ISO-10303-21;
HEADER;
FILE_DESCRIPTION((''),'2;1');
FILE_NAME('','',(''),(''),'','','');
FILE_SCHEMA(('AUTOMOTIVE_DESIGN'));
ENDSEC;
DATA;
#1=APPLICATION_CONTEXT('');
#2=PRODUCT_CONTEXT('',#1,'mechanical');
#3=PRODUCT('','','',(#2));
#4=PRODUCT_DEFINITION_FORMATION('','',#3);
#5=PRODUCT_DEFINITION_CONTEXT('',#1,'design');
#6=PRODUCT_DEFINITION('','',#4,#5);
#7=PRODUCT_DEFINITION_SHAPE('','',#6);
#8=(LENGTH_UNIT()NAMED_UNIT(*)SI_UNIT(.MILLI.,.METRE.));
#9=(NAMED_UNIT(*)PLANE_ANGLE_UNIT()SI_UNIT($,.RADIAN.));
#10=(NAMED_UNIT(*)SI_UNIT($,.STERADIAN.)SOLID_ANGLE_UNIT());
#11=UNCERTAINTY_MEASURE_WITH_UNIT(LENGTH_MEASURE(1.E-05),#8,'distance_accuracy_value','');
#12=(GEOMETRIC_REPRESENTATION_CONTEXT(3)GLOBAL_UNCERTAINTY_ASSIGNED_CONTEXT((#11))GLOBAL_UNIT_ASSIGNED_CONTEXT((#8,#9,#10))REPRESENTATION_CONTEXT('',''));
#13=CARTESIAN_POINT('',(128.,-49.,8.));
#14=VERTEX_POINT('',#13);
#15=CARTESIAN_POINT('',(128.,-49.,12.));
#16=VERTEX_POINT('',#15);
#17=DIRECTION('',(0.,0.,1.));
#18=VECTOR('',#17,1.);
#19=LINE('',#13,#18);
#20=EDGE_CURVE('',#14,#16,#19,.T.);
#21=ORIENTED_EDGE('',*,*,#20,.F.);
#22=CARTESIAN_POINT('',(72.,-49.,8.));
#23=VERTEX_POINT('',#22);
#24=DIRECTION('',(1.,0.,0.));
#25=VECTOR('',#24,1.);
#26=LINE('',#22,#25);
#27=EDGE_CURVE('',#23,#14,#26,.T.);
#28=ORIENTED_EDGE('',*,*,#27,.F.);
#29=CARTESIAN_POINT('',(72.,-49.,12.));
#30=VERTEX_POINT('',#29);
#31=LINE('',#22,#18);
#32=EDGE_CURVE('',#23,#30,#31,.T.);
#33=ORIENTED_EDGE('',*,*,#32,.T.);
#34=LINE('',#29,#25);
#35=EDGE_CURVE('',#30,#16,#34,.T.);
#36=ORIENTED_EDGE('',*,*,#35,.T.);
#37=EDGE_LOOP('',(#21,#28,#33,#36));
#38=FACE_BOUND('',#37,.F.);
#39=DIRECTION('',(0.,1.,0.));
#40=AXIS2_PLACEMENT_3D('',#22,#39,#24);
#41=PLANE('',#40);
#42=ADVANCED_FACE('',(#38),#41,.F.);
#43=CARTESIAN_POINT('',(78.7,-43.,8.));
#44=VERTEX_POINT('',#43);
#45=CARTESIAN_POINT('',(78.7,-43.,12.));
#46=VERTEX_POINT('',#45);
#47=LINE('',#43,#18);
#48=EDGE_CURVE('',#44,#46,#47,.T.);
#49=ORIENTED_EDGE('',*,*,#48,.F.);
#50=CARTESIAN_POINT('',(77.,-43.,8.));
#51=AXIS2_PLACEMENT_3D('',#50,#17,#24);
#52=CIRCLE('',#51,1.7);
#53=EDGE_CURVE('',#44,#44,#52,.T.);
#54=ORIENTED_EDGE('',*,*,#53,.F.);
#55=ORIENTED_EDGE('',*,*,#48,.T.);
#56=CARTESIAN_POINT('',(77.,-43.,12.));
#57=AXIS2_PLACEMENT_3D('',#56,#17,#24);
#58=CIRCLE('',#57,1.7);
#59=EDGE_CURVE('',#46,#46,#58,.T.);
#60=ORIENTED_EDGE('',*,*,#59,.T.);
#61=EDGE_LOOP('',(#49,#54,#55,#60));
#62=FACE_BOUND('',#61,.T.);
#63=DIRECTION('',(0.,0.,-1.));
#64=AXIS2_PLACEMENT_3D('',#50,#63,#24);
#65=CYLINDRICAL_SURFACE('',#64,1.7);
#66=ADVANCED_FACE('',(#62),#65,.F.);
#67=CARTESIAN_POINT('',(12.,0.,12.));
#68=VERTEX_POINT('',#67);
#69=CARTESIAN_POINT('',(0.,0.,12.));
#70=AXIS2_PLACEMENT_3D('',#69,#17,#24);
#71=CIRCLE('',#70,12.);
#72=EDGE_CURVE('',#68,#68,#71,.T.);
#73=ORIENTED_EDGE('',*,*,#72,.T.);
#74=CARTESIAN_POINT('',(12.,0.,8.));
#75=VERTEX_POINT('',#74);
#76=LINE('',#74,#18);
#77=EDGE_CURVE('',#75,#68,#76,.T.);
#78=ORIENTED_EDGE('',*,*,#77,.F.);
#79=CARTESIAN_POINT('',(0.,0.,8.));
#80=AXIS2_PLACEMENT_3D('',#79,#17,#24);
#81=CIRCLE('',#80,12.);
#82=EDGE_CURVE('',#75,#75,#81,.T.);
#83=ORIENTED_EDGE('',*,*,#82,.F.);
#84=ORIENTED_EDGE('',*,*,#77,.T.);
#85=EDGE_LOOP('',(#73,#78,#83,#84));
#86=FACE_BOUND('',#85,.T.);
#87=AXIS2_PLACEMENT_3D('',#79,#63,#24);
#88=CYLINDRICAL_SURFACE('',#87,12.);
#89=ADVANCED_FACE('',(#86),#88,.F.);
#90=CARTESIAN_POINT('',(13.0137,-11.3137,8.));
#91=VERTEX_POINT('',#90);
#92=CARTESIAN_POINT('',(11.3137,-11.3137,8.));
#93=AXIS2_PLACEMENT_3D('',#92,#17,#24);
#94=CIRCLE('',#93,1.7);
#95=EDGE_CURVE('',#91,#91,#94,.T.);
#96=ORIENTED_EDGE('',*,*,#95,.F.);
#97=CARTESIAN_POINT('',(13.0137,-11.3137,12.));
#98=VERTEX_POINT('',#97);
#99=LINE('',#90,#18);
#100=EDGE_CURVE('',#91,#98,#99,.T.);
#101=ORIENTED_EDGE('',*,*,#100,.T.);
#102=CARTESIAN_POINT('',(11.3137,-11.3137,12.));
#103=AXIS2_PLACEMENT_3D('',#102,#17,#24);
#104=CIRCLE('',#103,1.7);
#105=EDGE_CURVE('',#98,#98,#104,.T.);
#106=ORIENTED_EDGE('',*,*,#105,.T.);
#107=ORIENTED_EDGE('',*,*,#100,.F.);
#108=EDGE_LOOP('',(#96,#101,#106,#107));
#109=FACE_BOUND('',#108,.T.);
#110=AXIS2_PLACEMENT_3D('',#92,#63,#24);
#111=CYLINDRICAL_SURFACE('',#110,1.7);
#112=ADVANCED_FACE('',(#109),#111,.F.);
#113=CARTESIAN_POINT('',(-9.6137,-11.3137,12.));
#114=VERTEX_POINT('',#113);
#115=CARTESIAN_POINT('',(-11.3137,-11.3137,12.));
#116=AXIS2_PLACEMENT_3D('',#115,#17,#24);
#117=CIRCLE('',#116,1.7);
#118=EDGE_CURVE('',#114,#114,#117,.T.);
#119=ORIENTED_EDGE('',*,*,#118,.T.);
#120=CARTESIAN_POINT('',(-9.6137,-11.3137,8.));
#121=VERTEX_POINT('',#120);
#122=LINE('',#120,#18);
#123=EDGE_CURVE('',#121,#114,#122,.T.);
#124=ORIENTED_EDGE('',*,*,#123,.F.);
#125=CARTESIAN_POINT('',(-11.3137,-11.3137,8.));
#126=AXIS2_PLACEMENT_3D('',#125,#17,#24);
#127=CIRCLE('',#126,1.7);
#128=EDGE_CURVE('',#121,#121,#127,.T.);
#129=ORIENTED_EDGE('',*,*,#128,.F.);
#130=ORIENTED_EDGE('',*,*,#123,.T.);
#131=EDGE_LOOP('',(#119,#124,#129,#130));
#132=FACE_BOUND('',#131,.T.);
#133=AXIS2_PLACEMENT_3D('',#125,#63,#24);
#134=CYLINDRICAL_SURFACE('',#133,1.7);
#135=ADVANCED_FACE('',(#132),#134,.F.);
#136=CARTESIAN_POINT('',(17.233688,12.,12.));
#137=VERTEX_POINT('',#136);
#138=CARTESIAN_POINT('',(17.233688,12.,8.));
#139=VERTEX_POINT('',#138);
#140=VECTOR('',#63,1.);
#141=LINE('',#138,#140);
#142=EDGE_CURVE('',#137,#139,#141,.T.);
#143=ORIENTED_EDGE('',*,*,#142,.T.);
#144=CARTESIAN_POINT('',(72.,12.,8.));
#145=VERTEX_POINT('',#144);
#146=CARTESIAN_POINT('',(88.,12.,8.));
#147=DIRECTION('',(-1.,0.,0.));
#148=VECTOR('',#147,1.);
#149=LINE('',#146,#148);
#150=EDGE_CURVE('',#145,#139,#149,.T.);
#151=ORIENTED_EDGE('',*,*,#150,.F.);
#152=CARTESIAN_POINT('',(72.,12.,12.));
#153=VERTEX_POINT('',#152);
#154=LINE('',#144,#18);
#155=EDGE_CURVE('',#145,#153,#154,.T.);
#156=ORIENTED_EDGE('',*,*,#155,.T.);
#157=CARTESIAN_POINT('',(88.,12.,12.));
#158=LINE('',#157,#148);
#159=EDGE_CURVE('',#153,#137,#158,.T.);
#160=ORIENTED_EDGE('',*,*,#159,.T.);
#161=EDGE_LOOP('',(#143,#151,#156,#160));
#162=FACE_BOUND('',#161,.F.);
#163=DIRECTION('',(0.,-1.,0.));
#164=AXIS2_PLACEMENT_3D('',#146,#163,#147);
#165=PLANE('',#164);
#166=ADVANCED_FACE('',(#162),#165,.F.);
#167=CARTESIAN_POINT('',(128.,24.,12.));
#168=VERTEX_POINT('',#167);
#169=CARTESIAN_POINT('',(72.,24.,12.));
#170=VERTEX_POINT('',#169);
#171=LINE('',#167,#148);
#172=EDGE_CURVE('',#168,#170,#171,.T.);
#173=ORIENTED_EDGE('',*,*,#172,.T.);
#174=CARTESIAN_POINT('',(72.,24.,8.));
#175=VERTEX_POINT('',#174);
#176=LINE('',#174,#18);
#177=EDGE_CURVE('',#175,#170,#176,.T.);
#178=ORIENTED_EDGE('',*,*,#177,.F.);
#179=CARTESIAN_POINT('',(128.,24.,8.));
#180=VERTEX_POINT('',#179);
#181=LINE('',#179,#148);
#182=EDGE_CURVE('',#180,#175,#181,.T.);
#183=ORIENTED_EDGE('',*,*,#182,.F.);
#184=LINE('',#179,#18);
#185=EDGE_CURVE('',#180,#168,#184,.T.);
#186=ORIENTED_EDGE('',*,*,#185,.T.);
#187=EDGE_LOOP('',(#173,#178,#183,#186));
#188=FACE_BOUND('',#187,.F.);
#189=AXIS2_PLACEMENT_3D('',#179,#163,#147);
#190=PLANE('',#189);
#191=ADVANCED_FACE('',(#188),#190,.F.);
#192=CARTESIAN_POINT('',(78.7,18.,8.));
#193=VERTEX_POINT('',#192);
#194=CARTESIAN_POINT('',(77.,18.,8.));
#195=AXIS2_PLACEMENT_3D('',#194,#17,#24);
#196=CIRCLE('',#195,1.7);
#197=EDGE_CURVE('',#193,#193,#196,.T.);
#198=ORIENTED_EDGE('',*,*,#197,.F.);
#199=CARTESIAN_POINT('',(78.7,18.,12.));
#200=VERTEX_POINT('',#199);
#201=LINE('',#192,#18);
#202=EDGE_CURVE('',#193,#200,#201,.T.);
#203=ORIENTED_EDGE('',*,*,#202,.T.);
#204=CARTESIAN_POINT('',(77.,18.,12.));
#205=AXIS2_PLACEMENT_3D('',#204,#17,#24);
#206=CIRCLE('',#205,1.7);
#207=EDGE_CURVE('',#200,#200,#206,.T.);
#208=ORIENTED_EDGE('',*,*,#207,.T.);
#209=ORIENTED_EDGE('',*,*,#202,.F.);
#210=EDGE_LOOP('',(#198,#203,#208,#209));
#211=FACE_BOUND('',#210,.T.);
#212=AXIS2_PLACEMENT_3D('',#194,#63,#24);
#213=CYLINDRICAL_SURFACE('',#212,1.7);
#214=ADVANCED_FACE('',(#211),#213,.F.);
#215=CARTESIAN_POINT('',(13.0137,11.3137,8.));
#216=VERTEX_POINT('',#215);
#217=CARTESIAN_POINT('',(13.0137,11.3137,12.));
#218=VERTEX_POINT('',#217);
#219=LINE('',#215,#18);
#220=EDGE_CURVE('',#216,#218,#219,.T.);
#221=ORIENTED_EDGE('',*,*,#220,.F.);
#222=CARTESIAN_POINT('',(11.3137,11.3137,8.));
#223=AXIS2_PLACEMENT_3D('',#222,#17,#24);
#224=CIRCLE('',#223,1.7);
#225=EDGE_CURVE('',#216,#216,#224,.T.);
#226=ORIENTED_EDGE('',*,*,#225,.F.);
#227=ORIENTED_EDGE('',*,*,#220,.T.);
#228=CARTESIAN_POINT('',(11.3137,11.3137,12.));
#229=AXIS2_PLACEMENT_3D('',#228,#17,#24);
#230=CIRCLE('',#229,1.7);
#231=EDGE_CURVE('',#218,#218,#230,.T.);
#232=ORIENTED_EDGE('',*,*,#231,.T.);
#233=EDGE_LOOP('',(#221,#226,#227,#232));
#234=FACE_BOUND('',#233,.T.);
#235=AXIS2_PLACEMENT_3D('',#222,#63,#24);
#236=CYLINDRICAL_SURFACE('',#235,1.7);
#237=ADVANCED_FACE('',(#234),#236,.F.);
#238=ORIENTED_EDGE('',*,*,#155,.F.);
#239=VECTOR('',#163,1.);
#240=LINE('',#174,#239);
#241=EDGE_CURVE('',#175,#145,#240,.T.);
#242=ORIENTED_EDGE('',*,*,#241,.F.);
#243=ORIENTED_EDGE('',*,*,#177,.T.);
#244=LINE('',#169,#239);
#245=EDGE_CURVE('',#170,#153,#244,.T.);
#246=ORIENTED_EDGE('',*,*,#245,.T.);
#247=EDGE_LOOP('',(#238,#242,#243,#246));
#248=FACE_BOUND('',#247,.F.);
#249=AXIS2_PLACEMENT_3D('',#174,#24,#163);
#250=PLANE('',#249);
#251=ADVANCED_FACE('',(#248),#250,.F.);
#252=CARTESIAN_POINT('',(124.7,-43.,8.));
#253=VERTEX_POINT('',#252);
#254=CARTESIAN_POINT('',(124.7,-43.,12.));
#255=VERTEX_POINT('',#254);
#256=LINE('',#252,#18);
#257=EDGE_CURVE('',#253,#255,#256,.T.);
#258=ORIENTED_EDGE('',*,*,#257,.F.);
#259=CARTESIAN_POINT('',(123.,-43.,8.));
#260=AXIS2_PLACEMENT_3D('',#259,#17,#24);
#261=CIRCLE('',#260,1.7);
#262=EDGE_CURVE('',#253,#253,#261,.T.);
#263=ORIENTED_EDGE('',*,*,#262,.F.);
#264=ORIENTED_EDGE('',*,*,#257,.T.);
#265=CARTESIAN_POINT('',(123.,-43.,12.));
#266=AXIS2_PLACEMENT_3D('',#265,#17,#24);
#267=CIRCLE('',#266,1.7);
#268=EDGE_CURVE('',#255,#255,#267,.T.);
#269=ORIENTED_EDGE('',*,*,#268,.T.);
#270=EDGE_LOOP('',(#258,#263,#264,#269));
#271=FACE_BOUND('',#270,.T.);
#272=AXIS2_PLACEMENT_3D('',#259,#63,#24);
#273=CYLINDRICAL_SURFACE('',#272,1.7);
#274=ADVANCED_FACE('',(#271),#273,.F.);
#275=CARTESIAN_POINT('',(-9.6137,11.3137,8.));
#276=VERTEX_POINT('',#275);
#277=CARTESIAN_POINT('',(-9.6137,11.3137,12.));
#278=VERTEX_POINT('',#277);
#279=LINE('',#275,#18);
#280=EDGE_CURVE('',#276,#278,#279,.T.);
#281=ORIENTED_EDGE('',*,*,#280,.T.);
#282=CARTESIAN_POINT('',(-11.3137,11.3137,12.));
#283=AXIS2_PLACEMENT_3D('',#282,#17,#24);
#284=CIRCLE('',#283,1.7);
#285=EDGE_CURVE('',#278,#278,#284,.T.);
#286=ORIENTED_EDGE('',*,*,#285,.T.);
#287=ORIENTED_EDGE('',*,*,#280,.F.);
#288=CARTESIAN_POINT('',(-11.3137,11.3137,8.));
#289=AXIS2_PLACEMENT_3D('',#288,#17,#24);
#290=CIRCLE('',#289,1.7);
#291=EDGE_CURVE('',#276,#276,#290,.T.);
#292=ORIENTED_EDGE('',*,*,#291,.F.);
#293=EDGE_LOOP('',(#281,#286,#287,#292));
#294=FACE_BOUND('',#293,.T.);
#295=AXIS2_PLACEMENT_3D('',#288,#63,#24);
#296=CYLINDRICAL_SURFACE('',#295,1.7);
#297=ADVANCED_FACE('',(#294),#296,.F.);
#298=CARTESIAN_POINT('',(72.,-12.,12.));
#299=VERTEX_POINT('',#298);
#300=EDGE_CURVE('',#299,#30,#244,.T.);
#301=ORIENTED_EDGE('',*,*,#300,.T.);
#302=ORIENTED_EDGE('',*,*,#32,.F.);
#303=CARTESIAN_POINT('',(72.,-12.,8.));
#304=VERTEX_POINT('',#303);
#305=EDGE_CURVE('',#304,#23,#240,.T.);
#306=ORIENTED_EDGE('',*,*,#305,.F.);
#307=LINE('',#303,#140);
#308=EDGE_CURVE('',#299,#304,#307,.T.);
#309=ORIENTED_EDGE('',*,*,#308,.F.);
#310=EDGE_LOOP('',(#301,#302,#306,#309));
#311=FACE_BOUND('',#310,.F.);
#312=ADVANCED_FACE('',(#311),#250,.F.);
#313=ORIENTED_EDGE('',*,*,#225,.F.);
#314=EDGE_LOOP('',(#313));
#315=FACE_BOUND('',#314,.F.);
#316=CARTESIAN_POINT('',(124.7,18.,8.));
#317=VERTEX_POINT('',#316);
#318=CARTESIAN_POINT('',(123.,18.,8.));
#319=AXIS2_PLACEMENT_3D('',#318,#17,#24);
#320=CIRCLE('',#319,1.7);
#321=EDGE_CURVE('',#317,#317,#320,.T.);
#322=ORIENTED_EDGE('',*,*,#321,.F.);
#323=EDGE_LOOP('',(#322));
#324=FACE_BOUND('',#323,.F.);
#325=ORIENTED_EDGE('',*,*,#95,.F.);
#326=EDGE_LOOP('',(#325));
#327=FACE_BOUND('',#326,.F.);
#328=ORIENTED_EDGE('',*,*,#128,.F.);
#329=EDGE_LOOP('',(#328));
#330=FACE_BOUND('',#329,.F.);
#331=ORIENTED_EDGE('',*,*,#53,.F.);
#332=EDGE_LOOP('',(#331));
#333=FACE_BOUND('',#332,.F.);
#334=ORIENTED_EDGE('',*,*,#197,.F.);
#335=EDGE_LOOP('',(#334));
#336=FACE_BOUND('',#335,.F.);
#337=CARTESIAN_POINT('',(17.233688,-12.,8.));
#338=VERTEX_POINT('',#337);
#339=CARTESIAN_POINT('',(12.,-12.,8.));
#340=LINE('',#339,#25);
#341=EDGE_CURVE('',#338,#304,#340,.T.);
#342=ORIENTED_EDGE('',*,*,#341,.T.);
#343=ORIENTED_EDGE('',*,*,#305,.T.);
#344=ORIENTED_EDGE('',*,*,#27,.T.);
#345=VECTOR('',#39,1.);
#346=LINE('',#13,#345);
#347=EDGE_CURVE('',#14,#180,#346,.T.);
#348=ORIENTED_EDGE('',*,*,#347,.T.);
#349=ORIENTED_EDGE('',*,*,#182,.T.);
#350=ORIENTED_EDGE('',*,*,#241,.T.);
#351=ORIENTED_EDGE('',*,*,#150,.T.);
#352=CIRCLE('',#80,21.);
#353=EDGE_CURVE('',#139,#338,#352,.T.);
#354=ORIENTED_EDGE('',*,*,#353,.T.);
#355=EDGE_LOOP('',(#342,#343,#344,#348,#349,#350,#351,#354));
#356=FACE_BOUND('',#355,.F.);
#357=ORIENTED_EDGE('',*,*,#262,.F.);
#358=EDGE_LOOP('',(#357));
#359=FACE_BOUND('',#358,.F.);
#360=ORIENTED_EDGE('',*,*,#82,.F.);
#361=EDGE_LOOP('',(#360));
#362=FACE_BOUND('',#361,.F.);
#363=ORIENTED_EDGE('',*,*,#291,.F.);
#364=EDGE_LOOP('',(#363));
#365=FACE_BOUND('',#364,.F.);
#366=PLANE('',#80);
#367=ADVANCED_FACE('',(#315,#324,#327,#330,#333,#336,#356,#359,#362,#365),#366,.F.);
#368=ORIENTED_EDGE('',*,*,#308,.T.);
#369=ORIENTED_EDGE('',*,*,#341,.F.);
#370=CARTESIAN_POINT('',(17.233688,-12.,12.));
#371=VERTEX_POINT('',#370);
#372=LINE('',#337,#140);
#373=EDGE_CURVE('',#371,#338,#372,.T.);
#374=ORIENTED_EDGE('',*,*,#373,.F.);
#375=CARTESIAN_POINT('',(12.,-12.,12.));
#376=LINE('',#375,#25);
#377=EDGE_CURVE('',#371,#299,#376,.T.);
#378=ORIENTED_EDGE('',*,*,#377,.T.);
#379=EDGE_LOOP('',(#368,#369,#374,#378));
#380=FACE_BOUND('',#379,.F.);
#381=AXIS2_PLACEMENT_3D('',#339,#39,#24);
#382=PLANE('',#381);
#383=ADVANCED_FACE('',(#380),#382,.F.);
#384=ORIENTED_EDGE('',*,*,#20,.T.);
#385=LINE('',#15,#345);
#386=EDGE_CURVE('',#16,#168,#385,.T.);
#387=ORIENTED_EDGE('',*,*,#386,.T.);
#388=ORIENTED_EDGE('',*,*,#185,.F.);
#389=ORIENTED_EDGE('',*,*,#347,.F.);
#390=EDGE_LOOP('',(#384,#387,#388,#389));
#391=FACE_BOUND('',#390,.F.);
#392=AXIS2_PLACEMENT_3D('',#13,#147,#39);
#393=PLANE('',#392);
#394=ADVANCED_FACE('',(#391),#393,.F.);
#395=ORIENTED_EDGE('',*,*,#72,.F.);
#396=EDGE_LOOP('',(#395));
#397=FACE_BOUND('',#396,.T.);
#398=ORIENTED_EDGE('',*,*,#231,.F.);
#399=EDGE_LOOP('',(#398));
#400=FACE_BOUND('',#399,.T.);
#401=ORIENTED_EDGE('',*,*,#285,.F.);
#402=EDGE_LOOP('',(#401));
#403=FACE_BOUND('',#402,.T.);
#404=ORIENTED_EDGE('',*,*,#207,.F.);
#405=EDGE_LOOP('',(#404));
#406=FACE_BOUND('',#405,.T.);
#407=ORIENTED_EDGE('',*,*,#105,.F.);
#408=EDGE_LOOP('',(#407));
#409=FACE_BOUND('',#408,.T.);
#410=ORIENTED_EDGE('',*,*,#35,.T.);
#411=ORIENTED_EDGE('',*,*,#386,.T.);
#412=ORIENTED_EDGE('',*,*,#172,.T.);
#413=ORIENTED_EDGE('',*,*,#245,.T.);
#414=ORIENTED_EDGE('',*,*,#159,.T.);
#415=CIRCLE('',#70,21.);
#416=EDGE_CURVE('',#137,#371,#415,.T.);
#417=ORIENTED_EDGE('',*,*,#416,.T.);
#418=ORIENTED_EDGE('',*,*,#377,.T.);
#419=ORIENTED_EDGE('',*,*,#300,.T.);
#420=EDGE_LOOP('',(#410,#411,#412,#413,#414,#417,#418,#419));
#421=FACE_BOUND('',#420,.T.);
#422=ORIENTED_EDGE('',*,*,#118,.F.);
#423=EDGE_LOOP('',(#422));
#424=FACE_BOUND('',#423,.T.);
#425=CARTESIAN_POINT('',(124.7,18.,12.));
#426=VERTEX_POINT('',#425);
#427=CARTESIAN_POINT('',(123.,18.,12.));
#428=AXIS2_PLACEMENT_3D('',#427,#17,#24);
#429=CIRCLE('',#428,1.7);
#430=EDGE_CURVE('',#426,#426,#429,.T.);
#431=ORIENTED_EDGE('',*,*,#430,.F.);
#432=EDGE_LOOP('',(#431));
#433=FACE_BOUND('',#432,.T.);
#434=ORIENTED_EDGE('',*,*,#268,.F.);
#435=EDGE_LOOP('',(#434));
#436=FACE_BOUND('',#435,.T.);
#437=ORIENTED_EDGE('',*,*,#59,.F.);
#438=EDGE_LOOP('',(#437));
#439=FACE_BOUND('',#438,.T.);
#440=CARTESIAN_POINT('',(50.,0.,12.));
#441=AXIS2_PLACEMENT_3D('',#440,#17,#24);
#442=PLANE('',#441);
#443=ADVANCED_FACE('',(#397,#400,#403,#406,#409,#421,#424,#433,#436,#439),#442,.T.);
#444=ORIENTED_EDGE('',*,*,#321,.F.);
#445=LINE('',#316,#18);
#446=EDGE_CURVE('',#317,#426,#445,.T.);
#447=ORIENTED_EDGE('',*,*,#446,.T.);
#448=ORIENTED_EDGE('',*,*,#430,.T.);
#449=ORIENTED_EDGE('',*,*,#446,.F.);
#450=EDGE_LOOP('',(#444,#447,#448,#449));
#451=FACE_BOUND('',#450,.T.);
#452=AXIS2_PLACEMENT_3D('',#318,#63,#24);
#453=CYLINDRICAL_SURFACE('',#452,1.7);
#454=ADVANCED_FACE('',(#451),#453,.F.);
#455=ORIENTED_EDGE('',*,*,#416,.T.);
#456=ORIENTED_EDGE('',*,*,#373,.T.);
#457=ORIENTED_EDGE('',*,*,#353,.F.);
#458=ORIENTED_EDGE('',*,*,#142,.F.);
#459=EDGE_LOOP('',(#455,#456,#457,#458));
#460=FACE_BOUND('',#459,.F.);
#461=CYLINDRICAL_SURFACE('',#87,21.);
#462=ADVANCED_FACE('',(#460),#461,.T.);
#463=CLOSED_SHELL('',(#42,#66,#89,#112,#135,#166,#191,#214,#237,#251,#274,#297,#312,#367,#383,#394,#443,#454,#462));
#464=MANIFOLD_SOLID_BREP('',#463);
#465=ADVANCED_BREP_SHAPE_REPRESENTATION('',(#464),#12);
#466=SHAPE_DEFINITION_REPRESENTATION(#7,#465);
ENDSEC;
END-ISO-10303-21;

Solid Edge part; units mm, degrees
sketch "Sketch1" plane through (0, 0, 8) normal (0, 0, 1) x (1, 0, 0)
  circle A0 centre (0, 0) radius 21
  circle A1 centre (0, 0) radius 12
  circle A2 centre (11.3137, 11.3137) radius 1.7
  circle A3 centre (-11.3137, 11.3137) radius 1.7
  circle A4 centre (-11.3137, -11.3137) radius 1.7
  circle A5 centre (11.3137, -11.3137) radius 1.7
extrude "ExtrudedProtrusion_1" add sketch "Sketch1" along normal blind 4
sketch "Sketch2" plane through (0, 0, 8) normal (0, 0, 1) x (1, 0, 0)
  line L0 (12, -12) -> (88, -12)
  line L1 (88, -12) -> (88, 12)
  line L2 (88, 12) -> (12, 12)
  line L3 (12, 12) -> (12, -12)
extrude "ExtrudedProtrusion_2" add sketch "Sketch2" along normal blind 4
sketch "Sketch3" plane through (0, 0, 8) normal (0, 0, 1) x (1, 0, 0)
  line L0 (72, -49) -> (128, -49)
  line L1 (128, -49) -> (128, 24)
  line L2 (128, 24) -> (72, 24)
  line L3 (72, 24) -> (72, -49)
  circle A0 centre (77, -43) radius 1.7
  circle A1 centre (123, -43) radius 1.7
  circle A2 centre (77, 18) radius 1.7
  circle A3 centre (123, 18) radius 1.7
extrude "ExtrudedProtrusion_3" add sketch "Sketch3" along normal blind 4
sketch "Sketch4" plane through (0, 0, 8) normal (0, 0, 1) x (1, 0, 0)
  circle A0 centre (11.3137, 11.3137) radius 1.7
  circle A1 centre (-11.3137, 11.3137) radius 1.7
  circle A2 centre (-11.3137, -11.3137) radius 1.7
  circle A3 centre (11.3137, -11.3137) radius 1.7
  circle A4 centre (77, -43) radius 1.7
  circle A5 centre (123, -43) radius 1.7
  circle A6 centre (77, 18) radius 1.7
  circle A7 centre (123, 18) radius 1.7
extrude "ExtrudedCutout_1" cut sketch "Sketch4" along normal blind 4
